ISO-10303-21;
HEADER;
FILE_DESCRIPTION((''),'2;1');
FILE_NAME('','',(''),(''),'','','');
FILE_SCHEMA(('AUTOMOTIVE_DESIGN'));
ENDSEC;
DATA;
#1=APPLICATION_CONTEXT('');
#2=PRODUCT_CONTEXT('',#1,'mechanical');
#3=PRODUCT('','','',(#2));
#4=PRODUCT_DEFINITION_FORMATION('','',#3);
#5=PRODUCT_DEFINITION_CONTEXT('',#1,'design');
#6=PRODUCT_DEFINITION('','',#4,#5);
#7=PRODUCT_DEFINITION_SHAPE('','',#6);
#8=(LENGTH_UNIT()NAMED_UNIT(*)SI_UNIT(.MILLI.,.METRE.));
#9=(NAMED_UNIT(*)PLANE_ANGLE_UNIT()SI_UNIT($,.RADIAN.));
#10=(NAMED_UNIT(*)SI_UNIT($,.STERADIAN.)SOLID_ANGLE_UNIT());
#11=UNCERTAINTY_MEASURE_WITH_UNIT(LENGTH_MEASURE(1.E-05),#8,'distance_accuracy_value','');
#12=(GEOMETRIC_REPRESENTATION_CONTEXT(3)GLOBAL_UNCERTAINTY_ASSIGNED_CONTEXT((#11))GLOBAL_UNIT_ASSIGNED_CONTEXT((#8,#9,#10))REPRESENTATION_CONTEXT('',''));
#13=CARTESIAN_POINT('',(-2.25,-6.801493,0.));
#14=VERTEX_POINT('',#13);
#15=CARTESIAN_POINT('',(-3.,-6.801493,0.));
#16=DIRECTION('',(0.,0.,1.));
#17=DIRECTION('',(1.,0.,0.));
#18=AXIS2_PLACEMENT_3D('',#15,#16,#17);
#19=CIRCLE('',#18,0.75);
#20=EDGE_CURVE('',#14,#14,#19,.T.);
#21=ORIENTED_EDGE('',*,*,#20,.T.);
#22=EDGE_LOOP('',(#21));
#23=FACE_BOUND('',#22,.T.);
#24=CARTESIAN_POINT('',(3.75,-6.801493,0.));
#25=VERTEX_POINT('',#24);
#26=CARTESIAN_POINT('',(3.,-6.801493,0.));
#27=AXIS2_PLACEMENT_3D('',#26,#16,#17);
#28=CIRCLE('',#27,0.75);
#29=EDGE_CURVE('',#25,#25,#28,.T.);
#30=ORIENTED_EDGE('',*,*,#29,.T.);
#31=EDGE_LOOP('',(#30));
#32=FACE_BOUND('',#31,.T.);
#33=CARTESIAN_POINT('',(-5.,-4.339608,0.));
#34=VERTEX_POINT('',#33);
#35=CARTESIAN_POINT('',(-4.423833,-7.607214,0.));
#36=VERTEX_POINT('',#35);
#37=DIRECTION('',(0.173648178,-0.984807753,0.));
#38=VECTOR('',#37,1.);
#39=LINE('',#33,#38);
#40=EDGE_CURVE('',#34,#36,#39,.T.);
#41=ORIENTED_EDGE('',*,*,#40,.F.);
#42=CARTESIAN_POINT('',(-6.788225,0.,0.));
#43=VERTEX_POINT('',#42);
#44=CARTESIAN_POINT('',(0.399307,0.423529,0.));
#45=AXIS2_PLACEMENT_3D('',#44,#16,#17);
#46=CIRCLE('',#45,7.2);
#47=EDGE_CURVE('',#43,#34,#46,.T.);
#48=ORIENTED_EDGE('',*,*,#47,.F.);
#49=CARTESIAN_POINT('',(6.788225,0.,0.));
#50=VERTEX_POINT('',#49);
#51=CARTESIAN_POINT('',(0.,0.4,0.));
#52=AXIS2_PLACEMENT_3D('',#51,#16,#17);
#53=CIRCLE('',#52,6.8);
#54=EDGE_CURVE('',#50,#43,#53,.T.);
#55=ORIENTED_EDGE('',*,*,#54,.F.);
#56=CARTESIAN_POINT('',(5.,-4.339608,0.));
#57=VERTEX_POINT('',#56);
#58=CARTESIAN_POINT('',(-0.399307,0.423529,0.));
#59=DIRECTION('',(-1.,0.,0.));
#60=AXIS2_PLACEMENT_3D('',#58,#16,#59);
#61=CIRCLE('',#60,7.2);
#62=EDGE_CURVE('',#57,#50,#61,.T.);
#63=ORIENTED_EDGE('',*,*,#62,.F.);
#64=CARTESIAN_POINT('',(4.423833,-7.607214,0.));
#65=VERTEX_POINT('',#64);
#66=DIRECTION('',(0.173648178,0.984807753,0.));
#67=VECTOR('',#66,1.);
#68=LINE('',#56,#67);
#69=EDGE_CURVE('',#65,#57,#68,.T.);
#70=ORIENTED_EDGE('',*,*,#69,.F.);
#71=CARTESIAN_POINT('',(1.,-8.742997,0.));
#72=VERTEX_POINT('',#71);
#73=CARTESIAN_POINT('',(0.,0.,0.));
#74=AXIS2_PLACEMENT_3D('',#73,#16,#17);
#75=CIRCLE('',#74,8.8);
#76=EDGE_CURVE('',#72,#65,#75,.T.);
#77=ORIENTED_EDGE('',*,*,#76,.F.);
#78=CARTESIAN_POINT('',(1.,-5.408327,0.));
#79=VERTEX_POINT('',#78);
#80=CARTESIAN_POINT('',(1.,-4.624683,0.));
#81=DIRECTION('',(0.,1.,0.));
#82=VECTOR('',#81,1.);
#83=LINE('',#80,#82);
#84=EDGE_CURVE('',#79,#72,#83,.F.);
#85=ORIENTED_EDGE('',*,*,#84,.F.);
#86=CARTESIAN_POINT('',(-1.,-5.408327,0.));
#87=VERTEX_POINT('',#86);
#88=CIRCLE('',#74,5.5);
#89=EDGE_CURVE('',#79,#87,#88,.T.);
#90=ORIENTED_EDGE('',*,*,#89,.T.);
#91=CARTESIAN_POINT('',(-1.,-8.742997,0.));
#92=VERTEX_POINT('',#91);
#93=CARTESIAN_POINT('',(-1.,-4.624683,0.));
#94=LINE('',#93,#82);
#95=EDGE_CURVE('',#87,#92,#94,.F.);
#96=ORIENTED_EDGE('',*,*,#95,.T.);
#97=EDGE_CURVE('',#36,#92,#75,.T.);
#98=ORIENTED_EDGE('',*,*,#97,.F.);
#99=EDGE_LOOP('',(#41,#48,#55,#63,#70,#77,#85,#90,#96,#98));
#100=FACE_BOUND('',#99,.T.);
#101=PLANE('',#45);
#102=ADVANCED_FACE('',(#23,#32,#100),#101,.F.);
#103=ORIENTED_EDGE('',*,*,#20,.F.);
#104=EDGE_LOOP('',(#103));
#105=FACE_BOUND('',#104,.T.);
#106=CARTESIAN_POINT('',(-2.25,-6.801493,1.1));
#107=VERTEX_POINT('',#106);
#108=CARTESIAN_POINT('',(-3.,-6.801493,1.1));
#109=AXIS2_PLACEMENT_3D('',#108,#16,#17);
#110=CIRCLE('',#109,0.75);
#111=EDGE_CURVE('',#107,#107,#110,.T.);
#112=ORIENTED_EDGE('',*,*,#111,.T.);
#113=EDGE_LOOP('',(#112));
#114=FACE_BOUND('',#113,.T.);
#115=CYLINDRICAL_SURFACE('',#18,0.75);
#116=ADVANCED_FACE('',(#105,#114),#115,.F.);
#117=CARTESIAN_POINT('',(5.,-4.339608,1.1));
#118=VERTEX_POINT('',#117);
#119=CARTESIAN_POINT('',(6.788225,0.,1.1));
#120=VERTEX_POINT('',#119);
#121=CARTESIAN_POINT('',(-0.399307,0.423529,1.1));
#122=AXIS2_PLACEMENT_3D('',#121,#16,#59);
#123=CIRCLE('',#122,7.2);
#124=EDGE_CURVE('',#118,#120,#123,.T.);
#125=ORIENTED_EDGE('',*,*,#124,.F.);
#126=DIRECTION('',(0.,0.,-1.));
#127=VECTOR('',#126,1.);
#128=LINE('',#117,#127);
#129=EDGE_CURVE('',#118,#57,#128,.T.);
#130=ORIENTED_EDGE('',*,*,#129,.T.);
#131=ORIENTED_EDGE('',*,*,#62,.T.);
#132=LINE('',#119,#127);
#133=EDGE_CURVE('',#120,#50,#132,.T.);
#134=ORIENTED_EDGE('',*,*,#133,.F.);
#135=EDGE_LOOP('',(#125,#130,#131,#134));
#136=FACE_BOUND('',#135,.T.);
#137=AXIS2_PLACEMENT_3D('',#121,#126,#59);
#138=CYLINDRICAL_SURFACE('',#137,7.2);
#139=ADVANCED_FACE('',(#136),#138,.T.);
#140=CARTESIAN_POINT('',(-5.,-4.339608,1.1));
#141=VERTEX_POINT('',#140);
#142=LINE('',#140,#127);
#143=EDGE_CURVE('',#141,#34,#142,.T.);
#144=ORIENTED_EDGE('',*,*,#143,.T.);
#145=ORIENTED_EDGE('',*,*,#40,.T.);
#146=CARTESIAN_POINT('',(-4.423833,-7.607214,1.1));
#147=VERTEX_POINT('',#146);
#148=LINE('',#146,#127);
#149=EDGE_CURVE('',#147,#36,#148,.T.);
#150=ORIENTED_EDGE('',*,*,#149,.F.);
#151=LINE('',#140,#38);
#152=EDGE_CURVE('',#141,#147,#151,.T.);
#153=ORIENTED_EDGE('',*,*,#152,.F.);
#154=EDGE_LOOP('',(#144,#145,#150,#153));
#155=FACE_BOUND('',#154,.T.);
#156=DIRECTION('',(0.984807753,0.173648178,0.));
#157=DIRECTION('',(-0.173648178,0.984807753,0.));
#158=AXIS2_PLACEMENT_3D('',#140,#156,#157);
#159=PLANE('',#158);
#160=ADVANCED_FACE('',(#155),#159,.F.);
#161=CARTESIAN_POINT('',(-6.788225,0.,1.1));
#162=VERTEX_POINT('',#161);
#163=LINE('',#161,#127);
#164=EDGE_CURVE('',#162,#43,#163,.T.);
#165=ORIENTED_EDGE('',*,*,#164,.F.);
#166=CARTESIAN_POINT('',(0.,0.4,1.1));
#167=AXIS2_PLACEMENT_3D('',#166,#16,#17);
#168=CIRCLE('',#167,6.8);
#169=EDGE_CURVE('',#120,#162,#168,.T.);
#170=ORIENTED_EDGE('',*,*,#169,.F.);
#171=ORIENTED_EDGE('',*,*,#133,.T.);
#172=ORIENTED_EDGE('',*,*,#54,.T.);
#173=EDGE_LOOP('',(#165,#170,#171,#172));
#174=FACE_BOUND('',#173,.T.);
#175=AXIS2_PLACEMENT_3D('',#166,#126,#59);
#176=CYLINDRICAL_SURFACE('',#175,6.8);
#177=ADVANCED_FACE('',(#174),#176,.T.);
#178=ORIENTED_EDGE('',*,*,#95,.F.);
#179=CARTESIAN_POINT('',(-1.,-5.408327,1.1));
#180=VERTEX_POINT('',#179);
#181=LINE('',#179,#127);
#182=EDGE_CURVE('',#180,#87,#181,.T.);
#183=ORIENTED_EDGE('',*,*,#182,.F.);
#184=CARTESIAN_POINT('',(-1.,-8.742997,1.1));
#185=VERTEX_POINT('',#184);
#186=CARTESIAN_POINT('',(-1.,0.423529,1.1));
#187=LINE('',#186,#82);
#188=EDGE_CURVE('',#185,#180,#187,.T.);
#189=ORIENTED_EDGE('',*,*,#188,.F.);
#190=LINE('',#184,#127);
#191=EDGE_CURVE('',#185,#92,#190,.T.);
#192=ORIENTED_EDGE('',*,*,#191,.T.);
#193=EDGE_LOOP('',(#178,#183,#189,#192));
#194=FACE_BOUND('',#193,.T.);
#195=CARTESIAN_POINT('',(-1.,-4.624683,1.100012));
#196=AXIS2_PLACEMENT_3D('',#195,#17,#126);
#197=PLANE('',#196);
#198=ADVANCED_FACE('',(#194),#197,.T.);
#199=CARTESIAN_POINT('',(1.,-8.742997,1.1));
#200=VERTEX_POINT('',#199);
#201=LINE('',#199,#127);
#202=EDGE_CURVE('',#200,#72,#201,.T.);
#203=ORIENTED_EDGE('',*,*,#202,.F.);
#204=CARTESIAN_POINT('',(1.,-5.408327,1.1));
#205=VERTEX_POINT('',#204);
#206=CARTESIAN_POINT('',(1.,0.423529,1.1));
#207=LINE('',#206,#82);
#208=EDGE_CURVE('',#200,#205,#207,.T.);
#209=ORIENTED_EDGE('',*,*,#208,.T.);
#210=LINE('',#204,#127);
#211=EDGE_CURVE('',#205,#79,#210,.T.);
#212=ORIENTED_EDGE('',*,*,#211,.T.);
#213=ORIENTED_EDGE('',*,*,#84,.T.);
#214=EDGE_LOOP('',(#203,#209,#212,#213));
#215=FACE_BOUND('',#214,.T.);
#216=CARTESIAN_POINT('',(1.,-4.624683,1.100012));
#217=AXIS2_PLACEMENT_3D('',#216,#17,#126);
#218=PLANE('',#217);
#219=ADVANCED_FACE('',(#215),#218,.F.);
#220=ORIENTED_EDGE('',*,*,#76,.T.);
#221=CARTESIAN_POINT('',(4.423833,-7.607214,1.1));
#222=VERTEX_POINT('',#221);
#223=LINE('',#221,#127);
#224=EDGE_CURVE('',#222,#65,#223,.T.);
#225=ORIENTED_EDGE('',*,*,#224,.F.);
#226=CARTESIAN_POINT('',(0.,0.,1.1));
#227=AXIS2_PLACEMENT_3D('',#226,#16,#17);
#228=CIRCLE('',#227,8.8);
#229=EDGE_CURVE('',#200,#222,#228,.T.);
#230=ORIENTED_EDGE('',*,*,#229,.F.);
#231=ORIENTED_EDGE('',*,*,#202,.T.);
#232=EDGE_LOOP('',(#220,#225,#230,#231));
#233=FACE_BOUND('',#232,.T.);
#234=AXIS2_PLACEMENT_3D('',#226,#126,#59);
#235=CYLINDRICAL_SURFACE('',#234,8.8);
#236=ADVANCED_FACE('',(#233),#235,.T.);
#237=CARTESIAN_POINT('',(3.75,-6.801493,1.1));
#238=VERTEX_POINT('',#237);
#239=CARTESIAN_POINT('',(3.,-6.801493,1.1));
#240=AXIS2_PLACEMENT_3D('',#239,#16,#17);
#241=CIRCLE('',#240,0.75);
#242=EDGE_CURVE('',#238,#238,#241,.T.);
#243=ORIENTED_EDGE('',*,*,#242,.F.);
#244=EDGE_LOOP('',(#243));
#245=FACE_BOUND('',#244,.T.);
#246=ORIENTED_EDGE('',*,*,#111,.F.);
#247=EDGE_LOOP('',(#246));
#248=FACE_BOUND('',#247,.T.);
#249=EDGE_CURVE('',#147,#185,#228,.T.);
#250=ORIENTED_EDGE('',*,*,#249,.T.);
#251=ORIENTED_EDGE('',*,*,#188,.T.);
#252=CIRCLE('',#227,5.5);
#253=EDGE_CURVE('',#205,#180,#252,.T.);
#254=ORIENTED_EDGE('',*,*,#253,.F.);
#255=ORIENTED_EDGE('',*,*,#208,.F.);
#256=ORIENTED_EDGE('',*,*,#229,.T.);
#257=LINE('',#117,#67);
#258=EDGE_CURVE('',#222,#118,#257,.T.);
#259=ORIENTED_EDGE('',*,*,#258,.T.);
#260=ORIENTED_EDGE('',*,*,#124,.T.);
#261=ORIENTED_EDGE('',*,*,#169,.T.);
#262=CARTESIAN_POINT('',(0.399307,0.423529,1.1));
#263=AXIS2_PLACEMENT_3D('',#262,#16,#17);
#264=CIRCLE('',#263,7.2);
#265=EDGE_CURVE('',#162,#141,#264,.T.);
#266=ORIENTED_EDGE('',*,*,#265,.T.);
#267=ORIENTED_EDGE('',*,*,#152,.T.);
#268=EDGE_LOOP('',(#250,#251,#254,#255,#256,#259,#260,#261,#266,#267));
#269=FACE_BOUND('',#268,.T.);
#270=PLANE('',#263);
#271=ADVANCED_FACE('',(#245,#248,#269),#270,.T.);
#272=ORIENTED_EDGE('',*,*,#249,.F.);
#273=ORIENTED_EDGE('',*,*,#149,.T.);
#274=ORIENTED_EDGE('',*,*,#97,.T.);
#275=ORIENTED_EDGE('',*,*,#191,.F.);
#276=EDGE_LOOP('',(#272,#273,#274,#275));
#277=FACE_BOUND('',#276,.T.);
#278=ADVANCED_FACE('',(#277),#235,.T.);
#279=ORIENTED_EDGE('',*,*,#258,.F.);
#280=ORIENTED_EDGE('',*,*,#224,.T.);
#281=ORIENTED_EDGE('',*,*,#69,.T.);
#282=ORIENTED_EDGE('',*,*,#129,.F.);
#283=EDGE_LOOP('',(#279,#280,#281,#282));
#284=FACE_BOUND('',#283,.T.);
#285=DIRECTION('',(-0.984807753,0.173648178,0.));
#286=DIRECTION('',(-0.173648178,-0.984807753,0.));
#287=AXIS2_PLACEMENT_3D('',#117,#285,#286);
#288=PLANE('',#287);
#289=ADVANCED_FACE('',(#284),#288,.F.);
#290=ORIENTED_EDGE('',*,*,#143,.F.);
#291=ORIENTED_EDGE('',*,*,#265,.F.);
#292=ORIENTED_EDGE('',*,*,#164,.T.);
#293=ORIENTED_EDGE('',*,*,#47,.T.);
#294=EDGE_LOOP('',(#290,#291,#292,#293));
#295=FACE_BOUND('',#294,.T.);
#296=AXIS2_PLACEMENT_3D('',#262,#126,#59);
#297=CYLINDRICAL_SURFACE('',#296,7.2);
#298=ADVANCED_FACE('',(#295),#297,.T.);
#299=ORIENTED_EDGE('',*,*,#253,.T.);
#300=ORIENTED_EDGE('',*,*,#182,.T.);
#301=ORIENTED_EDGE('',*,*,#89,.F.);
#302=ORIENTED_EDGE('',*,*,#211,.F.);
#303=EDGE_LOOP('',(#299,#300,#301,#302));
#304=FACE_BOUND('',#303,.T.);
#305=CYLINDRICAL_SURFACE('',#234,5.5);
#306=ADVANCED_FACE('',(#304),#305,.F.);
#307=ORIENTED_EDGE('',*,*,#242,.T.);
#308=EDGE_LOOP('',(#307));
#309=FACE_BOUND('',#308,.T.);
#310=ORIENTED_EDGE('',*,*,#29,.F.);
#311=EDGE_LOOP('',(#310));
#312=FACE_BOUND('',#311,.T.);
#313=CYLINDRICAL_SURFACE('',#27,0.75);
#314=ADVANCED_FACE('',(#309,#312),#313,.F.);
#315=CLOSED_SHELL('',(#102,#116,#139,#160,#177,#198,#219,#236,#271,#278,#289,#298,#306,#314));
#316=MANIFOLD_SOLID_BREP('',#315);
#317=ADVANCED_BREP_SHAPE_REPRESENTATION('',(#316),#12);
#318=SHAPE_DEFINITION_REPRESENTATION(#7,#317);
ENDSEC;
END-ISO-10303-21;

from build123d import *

# Parameters (mm, degrees)
SKETCH_1_R               = 5.5
EXTRUDE_1_DEPTH          = 1.1
CUT_EXTRUDE_1_DEPTH      = 12.175419455
CUT_EXTRUDE_1_DEPTH_BACK = 1.1
SKETCH_2_W               = 2
SKETCH_2_H               = 8.74586507
SKETCH_3_R               = 0.75
CUT_EXTRUDE_1_2_DEPTH    = 12.130588484


with BuildPart() as part:
    # 草图1 → 凸台-拉伸1 (new body)
    with BuildSketch(Plane.XY):
        with BuildLine():
            Line((-5, -4.339608214), (-4.423832973, -7.607213802))
            ThreePointArc((-4.423832973, -7.607213802), (0, -8.8), (4.423832973, -7.607213802))
            Line((4.423832973, -7.607213802), (5, -4.339608214))
            ThreePointArc((5, -4.339608214), (6.257657716, -2.319610394), (6.788225099, 0))
            ThreePointArc((6.788225099, 0), (0, 7.2), (-6.788225099, 0))
            ThreePointArc((-6.788225099, 0), (-6.257657716, -2.319610394), (-5, -4.339608214))
        make_face()
        Circle(SKETCH_1_R, mode=Mode.SUBTRACT)
    extrude(amount=EXTRUDE_1_DEPTH)

    # 草图2 → Cut-Extrude 1 (cut, two sides: drawn at the far end of the back side and taken through both)
    with BuildSketch(Plane.XY.offset(1.1).offset(-CUT_EXTRUDE_1_DEPTH_BACK)):
        with Locations((0, -8.997615825)):
            Rectangle(SKETCH_2_W, SKETCH_2_H)
    extrude(amount=CUT_EXTRUDE_1_DEPTH + CUT_EXTRUDE_1_DEPTH_BACK, mode=Mode.SUBTRACT)

    # 草图3 → Cut-Extrude 1 2 (cut, through all)
    with BuildSketch(Plane.XY.offset(1.1)):
        with Locations((3, -6.801492871)):
            Circle(SKETCH_3_R)
        with Locations((-3, -6.801492871)):
            Circle(SKETCH_3_R)
    extrude(amount=-CUT_EXTRUDE_1_2_DEPTH, mode=Mode.SUBTRACT)


solid = part.part
